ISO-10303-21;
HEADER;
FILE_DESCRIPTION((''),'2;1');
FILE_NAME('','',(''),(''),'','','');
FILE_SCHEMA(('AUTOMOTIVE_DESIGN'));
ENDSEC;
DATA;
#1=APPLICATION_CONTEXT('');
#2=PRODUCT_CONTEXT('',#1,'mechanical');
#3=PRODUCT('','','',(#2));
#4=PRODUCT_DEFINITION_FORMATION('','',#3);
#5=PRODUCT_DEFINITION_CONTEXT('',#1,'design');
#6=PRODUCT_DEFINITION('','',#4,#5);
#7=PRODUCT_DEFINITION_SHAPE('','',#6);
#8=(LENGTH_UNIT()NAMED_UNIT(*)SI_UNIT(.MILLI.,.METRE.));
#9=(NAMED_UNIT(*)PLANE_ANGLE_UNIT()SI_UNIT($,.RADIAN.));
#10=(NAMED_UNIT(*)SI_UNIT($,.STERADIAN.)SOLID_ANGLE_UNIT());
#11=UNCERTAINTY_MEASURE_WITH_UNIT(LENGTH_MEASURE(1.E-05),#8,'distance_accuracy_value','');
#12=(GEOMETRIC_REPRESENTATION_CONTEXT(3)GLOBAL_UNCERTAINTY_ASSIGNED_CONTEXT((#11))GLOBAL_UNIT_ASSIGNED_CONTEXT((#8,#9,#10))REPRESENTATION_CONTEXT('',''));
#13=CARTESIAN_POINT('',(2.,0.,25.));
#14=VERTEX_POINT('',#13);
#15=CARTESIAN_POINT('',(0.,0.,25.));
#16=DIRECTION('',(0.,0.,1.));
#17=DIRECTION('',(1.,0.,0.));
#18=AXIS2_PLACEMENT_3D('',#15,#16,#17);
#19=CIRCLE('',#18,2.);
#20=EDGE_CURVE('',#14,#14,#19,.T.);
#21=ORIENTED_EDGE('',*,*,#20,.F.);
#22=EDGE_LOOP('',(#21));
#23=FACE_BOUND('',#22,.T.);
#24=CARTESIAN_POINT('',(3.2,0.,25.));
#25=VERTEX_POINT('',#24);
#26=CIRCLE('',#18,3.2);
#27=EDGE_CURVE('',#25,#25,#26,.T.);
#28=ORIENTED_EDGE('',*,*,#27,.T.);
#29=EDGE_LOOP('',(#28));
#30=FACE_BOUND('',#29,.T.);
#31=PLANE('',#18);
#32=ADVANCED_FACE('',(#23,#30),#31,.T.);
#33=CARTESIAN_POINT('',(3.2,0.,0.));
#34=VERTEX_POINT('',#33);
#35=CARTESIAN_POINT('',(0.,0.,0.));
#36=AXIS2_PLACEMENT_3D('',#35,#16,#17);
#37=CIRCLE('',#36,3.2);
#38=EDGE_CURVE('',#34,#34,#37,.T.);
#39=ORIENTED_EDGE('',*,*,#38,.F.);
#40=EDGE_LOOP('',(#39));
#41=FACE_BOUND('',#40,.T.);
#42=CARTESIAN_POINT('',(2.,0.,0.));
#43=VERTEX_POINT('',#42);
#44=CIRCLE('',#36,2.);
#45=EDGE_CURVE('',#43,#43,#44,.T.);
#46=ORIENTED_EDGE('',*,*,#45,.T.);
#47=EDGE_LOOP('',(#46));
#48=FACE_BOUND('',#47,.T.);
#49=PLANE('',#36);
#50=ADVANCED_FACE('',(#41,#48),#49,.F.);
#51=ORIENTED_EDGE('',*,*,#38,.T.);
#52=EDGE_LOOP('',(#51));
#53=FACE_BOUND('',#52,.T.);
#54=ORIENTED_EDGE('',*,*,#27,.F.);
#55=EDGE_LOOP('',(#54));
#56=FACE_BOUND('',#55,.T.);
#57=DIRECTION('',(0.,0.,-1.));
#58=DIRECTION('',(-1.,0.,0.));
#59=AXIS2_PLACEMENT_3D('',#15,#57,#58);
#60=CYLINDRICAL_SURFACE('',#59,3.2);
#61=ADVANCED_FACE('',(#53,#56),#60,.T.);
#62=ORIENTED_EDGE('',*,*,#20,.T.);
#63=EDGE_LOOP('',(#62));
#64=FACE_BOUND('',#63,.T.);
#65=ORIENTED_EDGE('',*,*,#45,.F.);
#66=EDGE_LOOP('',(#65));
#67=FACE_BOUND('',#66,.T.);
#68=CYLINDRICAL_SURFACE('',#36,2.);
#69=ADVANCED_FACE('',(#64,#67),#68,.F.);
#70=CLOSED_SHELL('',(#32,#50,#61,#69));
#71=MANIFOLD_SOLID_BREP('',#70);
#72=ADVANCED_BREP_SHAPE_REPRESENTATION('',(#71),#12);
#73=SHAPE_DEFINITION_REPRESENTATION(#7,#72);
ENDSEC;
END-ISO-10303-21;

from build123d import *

# Parameters (mm, degrees)
SKETCH2_R           = 3.2
BOSS_EXTRUDE1_DEPTH = 25
SKETCH3_R           = 2
CUT_EXTRUDE1_DEPTH  = 25


with BuildPart() as part:
    # Sketch2 → Boss-Extrude1 (new body)
    with BuildSketch(Plane.XY):
        Circle(SKETCH2_R)
    extrude(amount=BOSS_EXTRUDE1_DEPTH)

    # Sketch3 → Cut-Extrude1 (cut)
    with BuildSketch(Plane.XY.offset(25)):
        Circle(SKETCH3_R)
    extrude(amount=-CUT_EXTRUDE1_DEPTH, mode=Mode.SUBTRACT)


solid = part.part
